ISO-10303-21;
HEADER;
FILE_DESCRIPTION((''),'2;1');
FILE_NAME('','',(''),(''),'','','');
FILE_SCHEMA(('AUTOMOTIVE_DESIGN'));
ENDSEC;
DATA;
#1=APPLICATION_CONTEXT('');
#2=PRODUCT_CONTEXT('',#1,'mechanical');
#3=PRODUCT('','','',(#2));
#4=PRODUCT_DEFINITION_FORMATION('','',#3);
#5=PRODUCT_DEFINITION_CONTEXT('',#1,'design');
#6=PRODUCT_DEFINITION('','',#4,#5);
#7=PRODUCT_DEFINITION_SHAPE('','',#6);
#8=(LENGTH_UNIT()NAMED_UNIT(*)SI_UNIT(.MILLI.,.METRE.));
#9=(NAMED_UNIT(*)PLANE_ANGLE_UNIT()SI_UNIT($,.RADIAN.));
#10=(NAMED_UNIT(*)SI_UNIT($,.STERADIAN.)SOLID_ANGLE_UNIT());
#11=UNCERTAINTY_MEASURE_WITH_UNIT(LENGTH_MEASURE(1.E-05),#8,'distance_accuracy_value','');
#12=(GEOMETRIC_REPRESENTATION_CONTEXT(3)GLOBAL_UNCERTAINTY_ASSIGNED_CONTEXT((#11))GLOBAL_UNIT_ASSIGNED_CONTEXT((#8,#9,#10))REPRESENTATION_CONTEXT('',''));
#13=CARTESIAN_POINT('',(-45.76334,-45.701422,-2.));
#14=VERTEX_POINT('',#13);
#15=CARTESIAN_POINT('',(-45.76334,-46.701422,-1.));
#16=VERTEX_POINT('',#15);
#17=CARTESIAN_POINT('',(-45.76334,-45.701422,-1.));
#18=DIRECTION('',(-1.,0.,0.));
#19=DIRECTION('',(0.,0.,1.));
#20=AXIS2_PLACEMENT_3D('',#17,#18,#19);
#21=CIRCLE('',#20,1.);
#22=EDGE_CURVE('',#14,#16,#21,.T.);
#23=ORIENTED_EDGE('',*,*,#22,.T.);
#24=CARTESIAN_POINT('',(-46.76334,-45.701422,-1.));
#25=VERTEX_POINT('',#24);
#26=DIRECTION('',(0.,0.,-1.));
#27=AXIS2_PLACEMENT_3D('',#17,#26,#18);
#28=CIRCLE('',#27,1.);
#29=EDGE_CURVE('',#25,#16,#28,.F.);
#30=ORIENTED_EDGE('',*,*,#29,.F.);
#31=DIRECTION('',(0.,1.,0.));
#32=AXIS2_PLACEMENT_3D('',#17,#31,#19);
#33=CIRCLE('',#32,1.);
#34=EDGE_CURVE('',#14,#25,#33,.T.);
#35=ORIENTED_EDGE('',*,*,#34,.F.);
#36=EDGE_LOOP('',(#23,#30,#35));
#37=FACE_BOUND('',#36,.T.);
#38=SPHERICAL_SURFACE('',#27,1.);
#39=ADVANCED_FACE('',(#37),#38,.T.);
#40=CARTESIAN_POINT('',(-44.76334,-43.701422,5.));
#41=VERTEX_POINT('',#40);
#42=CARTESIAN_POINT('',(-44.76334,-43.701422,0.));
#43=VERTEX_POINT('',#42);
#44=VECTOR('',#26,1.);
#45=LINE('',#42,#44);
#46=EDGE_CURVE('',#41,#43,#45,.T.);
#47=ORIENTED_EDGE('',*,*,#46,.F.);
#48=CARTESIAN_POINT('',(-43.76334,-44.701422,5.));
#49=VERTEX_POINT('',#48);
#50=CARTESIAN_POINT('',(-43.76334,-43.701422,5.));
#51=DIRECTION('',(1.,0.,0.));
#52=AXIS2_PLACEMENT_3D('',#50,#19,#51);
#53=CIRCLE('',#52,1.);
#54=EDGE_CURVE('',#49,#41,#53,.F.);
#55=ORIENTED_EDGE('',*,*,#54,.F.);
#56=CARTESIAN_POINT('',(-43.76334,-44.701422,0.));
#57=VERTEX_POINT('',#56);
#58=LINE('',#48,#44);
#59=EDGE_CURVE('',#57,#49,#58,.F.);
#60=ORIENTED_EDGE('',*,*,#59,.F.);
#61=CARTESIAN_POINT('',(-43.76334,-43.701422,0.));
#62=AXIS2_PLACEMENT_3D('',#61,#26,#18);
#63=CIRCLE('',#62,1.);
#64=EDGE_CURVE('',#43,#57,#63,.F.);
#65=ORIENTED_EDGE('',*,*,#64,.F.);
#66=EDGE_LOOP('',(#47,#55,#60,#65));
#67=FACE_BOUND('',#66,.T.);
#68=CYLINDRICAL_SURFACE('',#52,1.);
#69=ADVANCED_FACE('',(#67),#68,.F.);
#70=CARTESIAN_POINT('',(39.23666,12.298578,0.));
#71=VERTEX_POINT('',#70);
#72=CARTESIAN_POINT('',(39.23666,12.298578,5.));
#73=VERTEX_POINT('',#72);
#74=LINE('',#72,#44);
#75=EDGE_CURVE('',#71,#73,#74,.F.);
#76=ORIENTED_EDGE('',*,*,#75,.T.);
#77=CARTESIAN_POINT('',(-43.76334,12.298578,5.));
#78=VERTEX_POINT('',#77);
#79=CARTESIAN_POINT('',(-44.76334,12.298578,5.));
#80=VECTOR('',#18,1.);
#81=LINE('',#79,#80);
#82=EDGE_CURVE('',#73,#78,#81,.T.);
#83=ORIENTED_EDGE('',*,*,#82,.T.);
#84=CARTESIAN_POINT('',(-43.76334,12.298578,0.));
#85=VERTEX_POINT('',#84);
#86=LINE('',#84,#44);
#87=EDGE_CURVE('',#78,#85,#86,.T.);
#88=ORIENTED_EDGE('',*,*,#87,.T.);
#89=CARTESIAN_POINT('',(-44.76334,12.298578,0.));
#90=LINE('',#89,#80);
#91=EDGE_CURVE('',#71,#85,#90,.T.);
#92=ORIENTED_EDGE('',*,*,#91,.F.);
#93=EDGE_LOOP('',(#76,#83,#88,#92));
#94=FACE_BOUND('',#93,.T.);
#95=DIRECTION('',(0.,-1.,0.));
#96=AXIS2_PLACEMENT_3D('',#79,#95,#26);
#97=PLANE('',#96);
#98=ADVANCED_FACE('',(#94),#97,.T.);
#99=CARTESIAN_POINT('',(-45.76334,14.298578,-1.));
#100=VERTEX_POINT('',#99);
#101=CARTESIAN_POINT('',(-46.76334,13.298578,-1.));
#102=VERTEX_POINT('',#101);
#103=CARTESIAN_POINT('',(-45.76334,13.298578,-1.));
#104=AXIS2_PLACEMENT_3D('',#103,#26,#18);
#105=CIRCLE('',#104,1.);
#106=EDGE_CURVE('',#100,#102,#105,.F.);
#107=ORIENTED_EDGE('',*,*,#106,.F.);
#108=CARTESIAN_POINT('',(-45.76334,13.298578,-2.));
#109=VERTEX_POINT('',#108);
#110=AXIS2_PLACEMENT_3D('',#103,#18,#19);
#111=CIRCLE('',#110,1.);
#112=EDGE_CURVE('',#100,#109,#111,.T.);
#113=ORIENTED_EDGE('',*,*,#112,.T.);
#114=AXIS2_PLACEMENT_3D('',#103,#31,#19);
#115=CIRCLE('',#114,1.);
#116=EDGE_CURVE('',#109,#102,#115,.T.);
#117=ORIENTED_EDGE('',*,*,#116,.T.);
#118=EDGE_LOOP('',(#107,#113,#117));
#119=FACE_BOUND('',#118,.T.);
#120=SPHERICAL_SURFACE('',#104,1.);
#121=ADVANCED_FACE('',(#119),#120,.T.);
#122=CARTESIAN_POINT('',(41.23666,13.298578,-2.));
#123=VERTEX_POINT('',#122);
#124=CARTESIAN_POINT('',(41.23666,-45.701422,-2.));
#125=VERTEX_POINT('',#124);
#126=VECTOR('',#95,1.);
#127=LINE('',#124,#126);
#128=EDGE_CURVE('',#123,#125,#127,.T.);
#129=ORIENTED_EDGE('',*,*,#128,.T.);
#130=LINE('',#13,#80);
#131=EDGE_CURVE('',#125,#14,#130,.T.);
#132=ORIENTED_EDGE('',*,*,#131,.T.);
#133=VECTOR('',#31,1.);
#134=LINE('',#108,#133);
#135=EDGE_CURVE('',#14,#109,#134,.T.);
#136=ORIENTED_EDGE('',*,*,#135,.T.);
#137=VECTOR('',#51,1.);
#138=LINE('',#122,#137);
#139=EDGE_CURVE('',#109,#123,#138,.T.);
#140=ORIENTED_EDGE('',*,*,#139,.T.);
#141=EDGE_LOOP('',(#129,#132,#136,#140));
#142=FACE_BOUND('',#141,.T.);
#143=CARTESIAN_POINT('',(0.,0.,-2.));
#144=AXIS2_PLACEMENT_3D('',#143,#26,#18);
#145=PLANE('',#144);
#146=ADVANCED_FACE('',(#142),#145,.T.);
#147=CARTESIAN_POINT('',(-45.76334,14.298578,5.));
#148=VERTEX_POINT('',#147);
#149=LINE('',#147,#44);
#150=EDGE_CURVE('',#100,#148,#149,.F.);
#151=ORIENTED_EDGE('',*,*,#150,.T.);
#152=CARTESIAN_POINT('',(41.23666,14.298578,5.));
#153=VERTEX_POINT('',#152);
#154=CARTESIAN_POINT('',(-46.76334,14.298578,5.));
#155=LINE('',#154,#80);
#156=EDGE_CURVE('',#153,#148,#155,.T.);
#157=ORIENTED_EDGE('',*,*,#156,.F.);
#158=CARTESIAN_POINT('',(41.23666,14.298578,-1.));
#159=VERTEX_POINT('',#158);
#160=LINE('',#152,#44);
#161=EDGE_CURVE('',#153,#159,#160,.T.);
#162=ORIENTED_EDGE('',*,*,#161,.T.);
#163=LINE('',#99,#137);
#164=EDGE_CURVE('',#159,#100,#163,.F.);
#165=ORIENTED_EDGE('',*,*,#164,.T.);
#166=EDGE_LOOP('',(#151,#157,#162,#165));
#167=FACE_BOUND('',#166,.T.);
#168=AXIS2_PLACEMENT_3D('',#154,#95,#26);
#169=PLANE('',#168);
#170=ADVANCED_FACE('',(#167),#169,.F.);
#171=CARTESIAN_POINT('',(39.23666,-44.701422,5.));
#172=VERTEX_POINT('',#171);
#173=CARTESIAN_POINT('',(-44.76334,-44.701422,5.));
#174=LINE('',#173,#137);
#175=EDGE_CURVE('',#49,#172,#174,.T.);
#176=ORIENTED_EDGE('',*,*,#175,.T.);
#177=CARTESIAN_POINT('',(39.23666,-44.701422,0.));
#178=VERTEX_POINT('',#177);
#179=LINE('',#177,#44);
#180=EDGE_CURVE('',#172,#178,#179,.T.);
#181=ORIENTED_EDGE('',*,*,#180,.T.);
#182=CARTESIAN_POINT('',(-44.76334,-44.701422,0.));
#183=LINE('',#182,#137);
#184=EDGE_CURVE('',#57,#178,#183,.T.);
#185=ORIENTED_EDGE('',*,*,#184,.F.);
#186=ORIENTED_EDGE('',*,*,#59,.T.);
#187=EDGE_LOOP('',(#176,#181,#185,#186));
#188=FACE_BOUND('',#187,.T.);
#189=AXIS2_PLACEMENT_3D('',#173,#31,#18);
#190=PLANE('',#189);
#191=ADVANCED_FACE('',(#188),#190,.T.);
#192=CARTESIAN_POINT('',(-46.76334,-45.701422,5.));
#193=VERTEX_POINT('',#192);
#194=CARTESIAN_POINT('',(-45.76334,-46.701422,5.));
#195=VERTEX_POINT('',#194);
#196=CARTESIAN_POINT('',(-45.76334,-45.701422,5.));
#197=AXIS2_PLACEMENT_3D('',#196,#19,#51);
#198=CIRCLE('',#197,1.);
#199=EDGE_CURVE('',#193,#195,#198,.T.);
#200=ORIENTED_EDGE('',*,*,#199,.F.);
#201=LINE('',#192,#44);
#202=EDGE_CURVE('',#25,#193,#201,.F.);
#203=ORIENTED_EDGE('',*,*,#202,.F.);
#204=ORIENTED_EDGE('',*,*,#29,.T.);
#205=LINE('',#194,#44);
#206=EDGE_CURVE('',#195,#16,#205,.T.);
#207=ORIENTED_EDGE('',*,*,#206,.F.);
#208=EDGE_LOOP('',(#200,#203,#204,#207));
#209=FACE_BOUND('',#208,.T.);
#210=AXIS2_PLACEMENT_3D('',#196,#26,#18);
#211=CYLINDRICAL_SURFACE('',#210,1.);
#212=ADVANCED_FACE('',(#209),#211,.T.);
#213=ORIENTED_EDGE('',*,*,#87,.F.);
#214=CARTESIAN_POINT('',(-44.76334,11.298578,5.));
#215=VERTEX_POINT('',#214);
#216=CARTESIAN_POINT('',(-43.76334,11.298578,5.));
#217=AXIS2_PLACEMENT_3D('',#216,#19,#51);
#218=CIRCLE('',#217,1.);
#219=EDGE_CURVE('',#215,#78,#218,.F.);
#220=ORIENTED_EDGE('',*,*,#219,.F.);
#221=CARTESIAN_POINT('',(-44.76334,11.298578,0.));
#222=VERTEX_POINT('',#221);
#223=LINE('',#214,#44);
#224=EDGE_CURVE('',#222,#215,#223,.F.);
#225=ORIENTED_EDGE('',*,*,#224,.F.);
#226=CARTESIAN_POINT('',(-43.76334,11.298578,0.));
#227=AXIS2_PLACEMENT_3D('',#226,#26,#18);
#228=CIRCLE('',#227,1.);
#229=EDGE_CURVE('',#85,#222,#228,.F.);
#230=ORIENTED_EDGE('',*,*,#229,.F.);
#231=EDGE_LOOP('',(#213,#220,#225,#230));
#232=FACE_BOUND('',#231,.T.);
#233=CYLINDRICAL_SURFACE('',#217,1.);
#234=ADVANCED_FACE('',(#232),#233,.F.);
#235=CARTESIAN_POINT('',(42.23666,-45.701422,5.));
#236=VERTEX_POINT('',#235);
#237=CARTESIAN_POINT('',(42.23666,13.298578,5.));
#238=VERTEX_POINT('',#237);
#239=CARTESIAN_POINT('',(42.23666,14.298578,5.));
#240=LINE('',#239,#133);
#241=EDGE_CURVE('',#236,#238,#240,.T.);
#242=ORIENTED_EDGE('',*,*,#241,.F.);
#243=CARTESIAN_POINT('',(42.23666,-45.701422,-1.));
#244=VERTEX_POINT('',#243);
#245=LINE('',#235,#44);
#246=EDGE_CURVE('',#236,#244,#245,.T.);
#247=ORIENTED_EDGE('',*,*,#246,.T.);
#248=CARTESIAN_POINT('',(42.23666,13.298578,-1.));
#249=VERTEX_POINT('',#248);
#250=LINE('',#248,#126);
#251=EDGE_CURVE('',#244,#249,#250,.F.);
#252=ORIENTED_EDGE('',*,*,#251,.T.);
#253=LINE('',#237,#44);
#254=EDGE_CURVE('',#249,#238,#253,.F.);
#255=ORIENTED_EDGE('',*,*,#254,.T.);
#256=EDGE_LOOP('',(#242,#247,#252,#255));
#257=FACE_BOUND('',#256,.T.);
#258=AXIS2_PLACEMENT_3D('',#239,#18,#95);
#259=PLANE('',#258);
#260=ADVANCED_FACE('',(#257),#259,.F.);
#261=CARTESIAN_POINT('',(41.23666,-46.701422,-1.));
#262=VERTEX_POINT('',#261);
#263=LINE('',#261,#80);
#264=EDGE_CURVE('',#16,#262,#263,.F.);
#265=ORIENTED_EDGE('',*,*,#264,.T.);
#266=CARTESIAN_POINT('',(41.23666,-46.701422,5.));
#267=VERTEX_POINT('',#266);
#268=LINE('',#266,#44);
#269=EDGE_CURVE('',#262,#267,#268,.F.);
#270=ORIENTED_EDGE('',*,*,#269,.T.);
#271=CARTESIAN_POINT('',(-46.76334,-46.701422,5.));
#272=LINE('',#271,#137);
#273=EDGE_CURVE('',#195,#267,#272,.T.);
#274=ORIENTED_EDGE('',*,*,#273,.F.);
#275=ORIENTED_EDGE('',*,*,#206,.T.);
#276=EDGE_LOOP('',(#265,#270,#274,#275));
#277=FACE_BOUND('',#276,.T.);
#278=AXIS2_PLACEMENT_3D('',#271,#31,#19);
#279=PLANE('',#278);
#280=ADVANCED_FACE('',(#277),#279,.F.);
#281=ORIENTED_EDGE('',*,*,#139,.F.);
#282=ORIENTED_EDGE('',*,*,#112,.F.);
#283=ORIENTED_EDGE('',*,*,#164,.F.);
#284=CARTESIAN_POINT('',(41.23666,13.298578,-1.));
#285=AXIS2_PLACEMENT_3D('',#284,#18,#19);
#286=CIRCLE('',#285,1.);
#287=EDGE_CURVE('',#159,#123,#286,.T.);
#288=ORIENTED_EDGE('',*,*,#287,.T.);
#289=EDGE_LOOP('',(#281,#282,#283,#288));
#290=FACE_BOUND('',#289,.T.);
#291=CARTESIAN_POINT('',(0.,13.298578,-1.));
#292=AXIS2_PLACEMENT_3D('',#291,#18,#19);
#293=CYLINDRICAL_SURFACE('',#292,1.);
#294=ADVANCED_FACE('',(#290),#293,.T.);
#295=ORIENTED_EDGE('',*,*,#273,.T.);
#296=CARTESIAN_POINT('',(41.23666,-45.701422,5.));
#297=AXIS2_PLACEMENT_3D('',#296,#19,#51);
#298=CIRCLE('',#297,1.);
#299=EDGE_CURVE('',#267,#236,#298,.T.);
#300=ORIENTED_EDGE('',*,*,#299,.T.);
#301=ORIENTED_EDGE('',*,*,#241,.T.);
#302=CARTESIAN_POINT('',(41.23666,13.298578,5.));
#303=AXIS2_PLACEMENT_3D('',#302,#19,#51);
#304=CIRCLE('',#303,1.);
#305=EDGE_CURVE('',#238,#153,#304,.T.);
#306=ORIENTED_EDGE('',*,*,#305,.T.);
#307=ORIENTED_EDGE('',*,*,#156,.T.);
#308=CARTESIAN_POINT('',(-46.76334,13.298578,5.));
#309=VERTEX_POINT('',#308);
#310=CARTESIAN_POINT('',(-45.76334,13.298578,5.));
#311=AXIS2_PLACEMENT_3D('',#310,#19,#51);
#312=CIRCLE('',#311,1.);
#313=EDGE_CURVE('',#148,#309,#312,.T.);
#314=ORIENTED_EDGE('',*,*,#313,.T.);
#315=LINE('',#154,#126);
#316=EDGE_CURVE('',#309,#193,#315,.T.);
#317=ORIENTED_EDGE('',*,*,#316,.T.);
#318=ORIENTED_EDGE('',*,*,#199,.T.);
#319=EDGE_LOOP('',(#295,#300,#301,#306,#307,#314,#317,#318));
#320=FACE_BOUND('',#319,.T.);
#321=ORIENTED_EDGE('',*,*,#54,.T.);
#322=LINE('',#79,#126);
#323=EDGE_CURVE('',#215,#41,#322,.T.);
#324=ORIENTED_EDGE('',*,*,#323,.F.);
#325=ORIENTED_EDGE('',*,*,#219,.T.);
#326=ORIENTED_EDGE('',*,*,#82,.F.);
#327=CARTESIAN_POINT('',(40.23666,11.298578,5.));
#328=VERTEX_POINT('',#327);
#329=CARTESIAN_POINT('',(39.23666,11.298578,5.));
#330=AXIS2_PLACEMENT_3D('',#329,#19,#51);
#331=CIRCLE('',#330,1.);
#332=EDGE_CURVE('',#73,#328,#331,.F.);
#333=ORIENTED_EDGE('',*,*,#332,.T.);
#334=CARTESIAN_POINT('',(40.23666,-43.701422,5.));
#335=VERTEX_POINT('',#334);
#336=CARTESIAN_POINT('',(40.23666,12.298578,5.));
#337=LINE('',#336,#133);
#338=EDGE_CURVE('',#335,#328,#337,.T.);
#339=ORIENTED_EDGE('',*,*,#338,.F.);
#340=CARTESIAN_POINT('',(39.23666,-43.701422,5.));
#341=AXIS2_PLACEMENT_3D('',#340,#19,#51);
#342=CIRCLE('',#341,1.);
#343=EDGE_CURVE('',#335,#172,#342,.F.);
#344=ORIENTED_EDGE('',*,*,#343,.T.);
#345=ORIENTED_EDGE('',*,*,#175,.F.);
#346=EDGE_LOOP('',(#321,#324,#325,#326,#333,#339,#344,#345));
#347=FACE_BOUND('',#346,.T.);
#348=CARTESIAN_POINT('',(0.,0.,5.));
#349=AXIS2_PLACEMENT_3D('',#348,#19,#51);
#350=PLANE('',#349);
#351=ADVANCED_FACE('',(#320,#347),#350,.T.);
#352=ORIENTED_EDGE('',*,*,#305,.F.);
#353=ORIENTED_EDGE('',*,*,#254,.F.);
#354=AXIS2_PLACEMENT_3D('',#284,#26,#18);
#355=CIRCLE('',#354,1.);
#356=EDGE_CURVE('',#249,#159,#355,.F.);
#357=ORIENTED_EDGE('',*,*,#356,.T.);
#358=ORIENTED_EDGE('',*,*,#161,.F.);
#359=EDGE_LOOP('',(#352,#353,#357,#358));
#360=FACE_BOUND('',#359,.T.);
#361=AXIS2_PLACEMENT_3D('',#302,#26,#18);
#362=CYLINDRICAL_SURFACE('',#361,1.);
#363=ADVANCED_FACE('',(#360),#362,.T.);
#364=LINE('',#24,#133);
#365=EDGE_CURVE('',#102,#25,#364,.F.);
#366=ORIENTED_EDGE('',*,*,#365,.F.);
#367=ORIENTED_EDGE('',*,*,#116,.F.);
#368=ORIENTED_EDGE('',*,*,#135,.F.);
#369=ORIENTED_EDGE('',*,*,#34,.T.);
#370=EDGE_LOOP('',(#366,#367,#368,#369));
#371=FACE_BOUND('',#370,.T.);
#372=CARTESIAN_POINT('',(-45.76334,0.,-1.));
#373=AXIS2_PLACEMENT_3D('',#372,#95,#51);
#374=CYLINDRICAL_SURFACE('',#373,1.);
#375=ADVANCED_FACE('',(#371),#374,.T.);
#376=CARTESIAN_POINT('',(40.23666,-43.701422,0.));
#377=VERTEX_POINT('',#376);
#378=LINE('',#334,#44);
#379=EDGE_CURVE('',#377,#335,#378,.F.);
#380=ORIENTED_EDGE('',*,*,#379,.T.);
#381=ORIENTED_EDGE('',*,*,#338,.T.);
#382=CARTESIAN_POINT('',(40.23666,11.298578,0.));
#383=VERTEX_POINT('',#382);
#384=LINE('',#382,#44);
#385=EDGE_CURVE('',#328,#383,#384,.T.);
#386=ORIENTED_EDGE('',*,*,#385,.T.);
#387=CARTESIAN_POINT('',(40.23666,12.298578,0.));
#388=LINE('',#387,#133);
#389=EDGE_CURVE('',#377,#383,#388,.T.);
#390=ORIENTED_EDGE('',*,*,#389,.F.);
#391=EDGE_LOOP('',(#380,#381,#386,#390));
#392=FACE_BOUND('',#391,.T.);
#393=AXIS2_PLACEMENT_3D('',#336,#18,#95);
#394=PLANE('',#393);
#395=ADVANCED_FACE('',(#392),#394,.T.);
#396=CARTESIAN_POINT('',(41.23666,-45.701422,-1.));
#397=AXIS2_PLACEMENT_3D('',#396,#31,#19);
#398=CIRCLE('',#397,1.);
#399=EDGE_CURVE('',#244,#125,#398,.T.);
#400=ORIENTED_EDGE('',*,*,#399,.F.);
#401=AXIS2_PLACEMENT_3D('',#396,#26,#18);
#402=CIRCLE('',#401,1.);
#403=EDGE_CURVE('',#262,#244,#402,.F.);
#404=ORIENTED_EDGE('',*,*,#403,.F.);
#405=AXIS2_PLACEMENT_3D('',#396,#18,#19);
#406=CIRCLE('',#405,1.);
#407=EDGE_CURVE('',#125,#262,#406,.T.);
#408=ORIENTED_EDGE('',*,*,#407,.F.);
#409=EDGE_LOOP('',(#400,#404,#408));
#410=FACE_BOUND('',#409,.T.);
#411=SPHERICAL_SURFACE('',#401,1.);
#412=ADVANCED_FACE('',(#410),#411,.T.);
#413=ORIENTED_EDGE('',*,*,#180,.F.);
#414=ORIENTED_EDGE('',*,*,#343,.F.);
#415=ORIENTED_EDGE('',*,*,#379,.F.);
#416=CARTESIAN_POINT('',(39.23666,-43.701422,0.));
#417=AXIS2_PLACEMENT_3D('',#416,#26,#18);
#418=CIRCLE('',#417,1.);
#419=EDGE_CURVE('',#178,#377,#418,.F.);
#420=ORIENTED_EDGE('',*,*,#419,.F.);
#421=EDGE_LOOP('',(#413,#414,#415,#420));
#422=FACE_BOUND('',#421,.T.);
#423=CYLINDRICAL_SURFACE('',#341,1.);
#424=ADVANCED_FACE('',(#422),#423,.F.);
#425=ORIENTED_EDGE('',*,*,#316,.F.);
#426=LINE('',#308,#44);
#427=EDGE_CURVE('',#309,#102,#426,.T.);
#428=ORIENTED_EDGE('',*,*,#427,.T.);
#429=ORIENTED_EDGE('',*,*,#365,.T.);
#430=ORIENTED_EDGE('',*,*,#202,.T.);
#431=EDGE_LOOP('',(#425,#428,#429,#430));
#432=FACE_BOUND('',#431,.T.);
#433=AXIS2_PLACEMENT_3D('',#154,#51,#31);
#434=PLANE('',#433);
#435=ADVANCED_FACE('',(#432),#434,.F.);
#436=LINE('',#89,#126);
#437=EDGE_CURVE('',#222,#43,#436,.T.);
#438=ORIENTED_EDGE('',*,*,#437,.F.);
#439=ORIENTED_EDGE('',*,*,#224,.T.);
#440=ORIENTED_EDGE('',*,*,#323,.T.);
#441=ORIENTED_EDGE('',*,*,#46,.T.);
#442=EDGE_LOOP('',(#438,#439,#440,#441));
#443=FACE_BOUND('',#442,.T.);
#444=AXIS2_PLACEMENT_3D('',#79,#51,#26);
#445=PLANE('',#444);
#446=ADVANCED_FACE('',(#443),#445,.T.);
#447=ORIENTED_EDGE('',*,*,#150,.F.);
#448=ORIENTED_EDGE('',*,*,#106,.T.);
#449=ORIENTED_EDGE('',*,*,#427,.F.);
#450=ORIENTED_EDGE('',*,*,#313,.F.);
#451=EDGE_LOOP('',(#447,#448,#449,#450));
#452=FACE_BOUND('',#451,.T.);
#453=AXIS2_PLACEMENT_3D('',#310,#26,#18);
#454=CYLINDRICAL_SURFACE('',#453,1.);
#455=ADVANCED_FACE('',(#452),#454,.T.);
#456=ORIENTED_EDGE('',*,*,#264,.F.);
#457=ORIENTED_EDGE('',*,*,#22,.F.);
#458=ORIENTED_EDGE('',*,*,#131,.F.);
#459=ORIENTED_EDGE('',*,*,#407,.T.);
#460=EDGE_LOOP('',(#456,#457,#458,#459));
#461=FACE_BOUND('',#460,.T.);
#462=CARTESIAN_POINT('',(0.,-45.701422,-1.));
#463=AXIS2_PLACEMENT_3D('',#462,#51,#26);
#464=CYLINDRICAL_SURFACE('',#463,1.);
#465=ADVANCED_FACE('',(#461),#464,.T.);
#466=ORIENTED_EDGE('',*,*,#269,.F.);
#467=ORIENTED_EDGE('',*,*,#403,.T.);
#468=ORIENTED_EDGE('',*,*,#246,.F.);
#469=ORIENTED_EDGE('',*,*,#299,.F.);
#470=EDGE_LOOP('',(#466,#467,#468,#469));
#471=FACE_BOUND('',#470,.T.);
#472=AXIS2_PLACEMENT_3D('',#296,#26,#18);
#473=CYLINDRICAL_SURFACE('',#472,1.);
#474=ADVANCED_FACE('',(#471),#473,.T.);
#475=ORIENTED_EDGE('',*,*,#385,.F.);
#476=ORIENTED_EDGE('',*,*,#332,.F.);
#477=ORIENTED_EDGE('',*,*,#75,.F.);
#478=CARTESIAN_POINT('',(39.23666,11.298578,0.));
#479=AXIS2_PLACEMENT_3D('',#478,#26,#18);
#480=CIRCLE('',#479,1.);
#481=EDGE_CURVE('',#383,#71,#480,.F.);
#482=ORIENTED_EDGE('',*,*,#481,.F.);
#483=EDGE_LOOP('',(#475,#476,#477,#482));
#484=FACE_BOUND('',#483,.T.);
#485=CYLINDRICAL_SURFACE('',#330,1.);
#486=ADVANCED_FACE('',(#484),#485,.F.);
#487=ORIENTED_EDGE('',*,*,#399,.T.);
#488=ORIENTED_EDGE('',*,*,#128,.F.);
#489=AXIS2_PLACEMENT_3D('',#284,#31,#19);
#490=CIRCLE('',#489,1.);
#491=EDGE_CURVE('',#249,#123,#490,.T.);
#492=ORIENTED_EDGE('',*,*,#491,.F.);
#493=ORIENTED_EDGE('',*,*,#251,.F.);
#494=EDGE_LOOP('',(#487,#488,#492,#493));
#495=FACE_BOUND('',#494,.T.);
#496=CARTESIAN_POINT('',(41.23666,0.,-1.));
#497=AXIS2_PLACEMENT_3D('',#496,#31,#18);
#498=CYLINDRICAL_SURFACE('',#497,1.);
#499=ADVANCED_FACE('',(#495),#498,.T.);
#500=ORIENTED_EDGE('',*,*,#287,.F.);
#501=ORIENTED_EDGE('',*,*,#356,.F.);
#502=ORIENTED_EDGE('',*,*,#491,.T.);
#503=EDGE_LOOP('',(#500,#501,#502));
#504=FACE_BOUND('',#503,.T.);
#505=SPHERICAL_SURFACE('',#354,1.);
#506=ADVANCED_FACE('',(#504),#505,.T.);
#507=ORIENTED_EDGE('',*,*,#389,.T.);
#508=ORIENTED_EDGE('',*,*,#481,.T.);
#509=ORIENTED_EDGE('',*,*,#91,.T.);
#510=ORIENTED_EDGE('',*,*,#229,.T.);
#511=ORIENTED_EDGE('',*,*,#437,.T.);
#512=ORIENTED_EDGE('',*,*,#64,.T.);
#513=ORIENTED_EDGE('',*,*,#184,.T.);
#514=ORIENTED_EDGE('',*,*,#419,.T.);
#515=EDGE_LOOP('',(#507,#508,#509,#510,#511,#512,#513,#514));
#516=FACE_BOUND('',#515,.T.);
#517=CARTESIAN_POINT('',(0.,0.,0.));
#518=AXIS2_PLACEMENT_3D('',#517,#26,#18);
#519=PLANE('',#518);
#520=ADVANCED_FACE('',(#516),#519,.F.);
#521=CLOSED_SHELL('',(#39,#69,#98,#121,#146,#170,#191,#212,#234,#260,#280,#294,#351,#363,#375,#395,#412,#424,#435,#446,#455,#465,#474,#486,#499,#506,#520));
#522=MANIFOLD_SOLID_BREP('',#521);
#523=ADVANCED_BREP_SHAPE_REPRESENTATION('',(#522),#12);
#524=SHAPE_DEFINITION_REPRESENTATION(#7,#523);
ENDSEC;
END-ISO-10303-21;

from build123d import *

# Parameters (mm, degrees)
ESBO_O1_W                = 89
ESBO_O1_H                = 61
ESBO_O1_W_2              = 85
ESBO_O1_H_2              = 57
RESSALTO_EXTRUS_O1_DEPTH = 5
ESBO_O2_W                = 89
ESBO_O2_H                = 61
RESSALTO_EXTRUS_O2_DEPTH = 2
FILETE6_R                = 1
FILETE7_R                = 1
FILETE10_R               = 1
FILETE11_R               = 1
FILETE12_R               = 1


with BuildPart() as part:
    # Esboço1 → Ressalto-extrusão1 (new body)
    with BuildSketch(Plane.XY):
        with Locations((-2.263340114, -16.201421801)):
            Rectangle(ESBO_O1_W, ESBO_O1_H)
        with Locations((-2.263340114, -16.201421801)):
            Rectangle(ESBO_O1_W_2, ESBO_O1_H_2, mode=Mode.SUBTRACT)
    extrude(amount=RESSALTO_EXTRUS_O1_DEPTH)

    # Esboço2 → Ressalto-extrusão2 (add)
    with BuildSketch(Plane(origin=(0, 0, 0), x_dir=(-1, 0, 0), z_dir=(0, 0, -1))):
        with Locations((2.263340114, -16.201421801)):
            Rectangle(ESBO_O2_W, ESBO_O2_H)
    extrude(amount=RESSALTO_EXTRUS_O2_DEPTH)

    # Filete6
    filete6_edges = [part.edges().sort_by_distance(p)[0] for p in [
        (40.236659886, 12.298578199, 2.5),
    ]]
    fillet(filete6_edges, radius=FILETE6_R)

    # Filete7
    filete7_edges = [part.edges().sort_by_distance(p)[0] for p in [
        (-44.763340114, 12.298578199, 2.5),
        (-44.763340114, -44.701421801, 2.5),
        (40.236659886, -44.701421801, 2.5),
    ]]
    fillet(filete7_edges, radius=FILETE7_R)

    # Filete10
    filete10_edges = [part.edges().sort_by_distance(p)[0] for p in [
        (-46.763340114, -46.701421801, 1.5),
    ]]
    fillet(filete10_edges, radius=FILETE10_R)

    # Filete11
    filete11_edges = [part.edges().sort_by_distance(p)[0] for p in [
        (-46.763340114, 14.298578199, 1.5),
        (42.236659886, 14.298578199, 1.5),
        (42.236659886, -46.701421801, 1.5),
    ]]
    fillet(filete11_edges, radius=FILETE11_R)

    # Filete12
    filete12_edges = [part.edges().sort_by_distance(p)[0] for p in [
        (-46.763340114, -16.201421801, -2),
        (-46.470446895, -46.408528582, -2),
        (42.236659886, -16.201421801, -2),
        (-2.263340114, -46.701421801, -2),
        (-2.263340114, 14.298578199, -2),
        (-46.470446895, 14.00568498, -2),
        (41.943766667, 14.00568498, -2),
        (41.943766667, -46.408528582, -2),
    ]]
    fillet(filete12_edges, radius=FILETE12_R)


solid = part.part
